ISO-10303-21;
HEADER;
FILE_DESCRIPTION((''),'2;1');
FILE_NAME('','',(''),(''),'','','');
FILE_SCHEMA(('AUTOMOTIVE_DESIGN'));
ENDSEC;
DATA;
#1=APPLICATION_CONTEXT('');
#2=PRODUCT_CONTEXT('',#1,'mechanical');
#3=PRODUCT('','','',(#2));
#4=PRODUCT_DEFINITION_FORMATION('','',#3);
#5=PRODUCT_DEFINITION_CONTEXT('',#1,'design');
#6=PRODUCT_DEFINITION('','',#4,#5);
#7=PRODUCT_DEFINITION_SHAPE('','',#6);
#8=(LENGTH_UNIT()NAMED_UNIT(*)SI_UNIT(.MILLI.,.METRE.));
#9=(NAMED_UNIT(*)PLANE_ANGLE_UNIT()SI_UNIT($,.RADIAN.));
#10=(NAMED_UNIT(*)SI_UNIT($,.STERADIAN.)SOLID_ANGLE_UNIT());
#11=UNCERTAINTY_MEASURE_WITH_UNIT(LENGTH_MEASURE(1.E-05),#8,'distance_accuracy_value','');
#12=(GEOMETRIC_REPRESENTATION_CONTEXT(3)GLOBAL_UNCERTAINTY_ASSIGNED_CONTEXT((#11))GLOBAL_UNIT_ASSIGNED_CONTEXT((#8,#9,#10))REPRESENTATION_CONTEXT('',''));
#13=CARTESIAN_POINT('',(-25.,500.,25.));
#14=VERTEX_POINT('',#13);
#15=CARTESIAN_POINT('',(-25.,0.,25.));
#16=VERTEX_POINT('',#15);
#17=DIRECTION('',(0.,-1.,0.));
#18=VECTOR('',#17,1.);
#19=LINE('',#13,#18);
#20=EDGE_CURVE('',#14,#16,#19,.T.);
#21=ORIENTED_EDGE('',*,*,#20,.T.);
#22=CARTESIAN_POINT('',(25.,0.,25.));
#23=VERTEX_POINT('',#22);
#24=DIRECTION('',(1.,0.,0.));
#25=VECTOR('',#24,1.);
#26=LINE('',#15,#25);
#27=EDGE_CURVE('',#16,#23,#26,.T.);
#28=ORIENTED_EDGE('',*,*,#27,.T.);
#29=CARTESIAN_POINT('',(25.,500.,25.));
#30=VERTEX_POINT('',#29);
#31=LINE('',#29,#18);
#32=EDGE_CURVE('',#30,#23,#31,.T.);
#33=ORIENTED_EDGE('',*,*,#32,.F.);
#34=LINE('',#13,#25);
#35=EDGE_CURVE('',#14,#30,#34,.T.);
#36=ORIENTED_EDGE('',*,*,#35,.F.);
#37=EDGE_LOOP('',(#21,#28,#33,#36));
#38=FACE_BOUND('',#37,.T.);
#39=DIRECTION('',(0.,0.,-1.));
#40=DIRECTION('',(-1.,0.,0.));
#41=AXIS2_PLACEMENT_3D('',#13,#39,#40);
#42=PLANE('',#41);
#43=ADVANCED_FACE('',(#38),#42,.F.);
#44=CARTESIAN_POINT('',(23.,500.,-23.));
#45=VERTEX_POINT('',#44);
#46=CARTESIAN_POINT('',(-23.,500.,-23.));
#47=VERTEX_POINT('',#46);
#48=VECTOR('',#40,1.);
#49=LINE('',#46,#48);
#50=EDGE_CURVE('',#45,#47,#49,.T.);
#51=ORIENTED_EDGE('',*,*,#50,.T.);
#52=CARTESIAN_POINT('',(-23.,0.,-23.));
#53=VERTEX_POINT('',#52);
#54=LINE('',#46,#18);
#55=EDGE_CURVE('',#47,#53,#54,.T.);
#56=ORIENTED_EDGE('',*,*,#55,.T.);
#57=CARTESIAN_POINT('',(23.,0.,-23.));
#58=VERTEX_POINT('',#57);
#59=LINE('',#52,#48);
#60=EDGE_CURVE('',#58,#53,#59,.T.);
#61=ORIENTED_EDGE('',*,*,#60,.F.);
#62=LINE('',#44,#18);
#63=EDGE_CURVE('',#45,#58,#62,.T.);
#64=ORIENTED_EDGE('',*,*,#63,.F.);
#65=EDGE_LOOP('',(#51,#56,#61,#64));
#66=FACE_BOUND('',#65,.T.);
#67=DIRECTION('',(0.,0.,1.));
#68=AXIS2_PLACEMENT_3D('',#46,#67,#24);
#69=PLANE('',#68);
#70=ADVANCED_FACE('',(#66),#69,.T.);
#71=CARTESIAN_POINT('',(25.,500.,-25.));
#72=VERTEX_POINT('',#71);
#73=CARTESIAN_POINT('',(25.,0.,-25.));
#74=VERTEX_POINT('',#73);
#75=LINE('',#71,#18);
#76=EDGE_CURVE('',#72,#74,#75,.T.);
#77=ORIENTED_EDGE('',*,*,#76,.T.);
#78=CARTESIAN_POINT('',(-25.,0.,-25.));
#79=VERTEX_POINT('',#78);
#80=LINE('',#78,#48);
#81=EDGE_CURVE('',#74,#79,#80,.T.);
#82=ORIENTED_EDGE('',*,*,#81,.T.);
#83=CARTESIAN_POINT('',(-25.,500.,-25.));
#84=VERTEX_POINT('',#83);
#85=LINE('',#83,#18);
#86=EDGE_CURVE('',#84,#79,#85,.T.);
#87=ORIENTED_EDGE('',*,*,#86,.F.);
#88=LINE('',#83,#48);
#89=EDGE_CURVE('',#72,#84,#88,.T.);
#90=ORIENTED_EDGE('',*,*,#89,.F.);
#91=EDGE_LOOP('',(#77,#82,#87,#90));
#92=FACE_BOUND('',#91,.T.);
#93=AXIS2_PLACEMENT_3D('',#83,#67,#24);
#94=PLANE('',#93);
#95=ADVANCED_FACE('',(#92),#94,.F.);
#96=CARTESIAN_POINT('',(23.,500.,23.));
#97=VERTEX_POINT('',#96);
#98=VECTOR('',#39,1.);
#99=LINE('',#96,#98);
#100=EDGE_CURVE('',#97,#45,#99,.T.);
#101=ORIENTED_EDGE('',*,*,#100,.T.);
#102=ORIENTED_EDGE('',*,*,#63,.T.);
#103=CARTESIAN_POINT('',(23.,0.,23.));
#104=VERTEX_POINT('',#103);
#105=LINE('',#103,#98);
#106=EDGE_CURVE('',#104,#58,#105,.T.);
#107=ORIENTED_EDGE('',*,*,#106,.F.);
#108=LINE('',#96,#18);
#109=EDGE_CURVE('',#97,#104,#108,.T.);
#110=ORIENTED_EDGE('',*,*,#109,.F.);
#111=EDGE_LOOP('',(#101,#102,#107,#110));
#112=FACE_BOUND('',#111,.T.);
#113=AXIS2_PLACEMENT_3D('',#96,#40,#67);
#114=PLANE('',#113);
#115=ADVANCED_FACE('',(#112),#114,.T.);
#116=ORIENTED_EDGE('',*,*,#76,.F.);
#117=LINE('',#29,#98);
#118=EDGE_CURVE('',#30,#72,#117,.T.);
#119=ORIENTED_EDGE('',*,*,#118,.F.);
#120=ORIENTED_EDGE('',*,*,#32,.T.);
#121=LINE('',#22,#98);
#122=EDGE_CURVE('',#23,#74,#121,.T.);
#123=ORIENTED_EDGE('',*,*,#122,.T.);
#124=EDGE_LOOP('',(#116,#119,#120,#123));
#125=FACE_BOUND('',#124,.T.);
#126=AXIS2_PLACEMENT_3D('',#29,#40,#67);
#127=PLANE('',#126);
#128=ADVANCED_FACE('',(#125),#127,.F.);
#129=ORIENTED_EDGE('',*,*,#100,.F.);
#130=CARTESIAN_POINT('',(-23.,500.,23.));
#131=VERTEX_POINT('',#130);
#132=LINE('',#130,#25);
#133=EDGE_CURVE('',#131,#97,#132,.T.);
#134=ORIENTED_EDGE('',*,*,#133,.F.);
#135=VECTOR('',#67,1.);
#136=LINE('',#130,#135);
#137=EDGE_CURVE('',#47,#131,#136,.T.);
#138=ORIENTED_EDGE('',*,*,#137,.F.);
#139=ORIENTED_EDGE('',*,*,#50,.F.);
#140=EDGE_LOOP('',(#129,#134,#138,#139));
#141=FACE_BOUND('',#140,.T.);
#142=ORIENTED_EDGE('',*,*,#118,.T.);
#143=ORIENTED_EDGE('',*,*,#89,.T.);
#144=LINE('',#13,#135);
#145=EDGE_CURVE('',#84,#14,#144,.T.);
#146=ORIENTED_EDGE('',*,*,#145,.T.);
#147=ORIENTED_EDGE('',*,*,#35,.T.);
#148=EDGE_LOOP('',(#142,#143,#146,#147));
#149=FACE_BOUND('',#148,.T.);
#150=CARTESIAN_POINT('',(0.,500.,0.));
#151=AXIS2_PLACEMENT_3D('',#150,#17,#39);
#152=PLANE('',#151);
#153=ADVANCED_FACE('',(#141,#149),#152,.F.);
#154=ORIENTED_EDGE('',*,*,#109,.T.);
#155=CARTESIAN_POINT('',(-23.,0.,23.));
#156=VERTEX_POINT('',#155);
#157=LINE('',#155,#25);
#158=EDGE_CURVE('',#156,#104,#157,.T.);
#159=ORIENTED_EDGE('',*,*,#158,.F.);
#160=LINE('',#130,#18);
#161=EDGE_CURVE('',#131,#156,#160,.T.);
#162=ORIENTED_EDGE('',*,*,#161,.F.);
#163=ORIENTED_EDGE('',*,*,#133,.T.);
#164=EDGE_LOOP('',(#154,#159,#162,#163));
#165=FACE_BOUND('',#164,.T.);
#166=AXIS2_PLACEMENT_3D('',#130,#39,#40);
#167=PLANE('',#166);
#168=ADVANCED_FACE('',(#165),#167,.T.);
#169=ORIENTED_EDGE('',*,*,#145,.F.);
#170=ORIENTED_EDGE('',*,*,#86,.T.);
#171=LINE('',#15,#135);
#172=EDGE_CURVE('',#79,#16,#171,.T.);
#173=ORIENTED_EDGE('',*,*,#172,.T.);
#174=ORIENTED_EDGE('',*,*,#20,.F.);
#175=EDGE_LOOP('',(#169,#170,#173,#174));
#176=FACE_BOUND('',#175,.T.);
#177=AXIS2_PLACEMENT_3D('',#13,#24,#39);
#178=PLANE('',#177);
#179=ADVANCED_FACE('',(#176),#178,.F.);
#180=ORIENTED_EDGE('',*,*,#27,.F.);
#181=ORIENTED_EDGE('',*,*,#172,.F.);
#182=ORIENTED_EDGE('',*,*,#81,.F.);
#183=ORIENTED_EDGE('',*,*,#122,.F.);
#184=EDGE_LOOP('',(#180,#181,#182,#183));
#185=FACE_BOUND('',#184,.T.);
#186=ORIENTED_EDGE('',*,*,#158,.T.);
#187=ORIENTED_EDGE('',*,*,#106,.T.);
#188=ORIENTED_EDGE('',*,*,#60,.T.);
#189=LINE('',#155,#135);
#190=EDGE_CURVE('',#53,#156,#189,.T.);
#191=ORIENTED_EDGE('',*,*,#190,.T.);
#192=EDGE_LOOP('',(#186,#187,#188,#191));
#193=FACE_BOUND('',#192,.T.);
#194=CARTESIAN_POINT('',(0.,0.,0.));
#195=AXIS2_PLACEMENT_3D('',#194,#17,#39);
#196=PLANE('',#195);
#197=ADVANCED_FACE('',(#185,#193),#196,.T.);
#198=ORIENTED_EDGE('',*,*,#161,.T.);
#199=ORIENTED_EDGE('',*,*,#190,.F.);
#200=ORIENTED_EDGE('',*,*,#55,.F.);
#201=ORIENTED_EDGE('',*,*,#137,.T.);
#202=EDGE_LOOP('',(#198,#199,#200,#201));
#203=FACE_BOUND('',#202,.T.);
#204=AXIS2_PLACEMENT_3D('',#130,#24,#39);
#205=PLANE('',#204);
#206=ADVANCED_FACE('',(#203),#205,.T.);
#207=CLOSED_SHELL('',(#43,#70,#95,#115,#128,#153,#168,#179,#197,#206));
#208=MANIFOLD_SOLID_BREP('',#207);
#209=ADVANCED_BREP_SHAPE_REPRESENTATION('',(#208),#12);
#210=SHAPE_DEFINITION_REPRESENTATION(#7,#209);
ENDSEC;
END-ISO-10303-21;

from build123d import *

# Parameters (mm, degrees)
SKETCH1_W           = 50
SKETCH1_H           = 50
SKETCH1_W_2         = 46
SKETCH1_H_2         = 46
BOSS_EXTRUDE1_DEPTH = 500


with BuildPart() as part:
    # Sketch1 → Boss-Extrude1 (new body)
    with BuildSketch(Plane(origin=(0, 0, 0), x_dir=(1, 0, 0), z_dir=(0, 1, 0))):
        Rectangle(SKETCH1_W, SKETCH1_H)
        Rectangle(SKETCH1_W_2, SKETCH1_H_2, mode=Mode.SUBTRACT)
    extrude(amount=BOSS_EXTRUDE1_DEPTH)


solid = part.part
